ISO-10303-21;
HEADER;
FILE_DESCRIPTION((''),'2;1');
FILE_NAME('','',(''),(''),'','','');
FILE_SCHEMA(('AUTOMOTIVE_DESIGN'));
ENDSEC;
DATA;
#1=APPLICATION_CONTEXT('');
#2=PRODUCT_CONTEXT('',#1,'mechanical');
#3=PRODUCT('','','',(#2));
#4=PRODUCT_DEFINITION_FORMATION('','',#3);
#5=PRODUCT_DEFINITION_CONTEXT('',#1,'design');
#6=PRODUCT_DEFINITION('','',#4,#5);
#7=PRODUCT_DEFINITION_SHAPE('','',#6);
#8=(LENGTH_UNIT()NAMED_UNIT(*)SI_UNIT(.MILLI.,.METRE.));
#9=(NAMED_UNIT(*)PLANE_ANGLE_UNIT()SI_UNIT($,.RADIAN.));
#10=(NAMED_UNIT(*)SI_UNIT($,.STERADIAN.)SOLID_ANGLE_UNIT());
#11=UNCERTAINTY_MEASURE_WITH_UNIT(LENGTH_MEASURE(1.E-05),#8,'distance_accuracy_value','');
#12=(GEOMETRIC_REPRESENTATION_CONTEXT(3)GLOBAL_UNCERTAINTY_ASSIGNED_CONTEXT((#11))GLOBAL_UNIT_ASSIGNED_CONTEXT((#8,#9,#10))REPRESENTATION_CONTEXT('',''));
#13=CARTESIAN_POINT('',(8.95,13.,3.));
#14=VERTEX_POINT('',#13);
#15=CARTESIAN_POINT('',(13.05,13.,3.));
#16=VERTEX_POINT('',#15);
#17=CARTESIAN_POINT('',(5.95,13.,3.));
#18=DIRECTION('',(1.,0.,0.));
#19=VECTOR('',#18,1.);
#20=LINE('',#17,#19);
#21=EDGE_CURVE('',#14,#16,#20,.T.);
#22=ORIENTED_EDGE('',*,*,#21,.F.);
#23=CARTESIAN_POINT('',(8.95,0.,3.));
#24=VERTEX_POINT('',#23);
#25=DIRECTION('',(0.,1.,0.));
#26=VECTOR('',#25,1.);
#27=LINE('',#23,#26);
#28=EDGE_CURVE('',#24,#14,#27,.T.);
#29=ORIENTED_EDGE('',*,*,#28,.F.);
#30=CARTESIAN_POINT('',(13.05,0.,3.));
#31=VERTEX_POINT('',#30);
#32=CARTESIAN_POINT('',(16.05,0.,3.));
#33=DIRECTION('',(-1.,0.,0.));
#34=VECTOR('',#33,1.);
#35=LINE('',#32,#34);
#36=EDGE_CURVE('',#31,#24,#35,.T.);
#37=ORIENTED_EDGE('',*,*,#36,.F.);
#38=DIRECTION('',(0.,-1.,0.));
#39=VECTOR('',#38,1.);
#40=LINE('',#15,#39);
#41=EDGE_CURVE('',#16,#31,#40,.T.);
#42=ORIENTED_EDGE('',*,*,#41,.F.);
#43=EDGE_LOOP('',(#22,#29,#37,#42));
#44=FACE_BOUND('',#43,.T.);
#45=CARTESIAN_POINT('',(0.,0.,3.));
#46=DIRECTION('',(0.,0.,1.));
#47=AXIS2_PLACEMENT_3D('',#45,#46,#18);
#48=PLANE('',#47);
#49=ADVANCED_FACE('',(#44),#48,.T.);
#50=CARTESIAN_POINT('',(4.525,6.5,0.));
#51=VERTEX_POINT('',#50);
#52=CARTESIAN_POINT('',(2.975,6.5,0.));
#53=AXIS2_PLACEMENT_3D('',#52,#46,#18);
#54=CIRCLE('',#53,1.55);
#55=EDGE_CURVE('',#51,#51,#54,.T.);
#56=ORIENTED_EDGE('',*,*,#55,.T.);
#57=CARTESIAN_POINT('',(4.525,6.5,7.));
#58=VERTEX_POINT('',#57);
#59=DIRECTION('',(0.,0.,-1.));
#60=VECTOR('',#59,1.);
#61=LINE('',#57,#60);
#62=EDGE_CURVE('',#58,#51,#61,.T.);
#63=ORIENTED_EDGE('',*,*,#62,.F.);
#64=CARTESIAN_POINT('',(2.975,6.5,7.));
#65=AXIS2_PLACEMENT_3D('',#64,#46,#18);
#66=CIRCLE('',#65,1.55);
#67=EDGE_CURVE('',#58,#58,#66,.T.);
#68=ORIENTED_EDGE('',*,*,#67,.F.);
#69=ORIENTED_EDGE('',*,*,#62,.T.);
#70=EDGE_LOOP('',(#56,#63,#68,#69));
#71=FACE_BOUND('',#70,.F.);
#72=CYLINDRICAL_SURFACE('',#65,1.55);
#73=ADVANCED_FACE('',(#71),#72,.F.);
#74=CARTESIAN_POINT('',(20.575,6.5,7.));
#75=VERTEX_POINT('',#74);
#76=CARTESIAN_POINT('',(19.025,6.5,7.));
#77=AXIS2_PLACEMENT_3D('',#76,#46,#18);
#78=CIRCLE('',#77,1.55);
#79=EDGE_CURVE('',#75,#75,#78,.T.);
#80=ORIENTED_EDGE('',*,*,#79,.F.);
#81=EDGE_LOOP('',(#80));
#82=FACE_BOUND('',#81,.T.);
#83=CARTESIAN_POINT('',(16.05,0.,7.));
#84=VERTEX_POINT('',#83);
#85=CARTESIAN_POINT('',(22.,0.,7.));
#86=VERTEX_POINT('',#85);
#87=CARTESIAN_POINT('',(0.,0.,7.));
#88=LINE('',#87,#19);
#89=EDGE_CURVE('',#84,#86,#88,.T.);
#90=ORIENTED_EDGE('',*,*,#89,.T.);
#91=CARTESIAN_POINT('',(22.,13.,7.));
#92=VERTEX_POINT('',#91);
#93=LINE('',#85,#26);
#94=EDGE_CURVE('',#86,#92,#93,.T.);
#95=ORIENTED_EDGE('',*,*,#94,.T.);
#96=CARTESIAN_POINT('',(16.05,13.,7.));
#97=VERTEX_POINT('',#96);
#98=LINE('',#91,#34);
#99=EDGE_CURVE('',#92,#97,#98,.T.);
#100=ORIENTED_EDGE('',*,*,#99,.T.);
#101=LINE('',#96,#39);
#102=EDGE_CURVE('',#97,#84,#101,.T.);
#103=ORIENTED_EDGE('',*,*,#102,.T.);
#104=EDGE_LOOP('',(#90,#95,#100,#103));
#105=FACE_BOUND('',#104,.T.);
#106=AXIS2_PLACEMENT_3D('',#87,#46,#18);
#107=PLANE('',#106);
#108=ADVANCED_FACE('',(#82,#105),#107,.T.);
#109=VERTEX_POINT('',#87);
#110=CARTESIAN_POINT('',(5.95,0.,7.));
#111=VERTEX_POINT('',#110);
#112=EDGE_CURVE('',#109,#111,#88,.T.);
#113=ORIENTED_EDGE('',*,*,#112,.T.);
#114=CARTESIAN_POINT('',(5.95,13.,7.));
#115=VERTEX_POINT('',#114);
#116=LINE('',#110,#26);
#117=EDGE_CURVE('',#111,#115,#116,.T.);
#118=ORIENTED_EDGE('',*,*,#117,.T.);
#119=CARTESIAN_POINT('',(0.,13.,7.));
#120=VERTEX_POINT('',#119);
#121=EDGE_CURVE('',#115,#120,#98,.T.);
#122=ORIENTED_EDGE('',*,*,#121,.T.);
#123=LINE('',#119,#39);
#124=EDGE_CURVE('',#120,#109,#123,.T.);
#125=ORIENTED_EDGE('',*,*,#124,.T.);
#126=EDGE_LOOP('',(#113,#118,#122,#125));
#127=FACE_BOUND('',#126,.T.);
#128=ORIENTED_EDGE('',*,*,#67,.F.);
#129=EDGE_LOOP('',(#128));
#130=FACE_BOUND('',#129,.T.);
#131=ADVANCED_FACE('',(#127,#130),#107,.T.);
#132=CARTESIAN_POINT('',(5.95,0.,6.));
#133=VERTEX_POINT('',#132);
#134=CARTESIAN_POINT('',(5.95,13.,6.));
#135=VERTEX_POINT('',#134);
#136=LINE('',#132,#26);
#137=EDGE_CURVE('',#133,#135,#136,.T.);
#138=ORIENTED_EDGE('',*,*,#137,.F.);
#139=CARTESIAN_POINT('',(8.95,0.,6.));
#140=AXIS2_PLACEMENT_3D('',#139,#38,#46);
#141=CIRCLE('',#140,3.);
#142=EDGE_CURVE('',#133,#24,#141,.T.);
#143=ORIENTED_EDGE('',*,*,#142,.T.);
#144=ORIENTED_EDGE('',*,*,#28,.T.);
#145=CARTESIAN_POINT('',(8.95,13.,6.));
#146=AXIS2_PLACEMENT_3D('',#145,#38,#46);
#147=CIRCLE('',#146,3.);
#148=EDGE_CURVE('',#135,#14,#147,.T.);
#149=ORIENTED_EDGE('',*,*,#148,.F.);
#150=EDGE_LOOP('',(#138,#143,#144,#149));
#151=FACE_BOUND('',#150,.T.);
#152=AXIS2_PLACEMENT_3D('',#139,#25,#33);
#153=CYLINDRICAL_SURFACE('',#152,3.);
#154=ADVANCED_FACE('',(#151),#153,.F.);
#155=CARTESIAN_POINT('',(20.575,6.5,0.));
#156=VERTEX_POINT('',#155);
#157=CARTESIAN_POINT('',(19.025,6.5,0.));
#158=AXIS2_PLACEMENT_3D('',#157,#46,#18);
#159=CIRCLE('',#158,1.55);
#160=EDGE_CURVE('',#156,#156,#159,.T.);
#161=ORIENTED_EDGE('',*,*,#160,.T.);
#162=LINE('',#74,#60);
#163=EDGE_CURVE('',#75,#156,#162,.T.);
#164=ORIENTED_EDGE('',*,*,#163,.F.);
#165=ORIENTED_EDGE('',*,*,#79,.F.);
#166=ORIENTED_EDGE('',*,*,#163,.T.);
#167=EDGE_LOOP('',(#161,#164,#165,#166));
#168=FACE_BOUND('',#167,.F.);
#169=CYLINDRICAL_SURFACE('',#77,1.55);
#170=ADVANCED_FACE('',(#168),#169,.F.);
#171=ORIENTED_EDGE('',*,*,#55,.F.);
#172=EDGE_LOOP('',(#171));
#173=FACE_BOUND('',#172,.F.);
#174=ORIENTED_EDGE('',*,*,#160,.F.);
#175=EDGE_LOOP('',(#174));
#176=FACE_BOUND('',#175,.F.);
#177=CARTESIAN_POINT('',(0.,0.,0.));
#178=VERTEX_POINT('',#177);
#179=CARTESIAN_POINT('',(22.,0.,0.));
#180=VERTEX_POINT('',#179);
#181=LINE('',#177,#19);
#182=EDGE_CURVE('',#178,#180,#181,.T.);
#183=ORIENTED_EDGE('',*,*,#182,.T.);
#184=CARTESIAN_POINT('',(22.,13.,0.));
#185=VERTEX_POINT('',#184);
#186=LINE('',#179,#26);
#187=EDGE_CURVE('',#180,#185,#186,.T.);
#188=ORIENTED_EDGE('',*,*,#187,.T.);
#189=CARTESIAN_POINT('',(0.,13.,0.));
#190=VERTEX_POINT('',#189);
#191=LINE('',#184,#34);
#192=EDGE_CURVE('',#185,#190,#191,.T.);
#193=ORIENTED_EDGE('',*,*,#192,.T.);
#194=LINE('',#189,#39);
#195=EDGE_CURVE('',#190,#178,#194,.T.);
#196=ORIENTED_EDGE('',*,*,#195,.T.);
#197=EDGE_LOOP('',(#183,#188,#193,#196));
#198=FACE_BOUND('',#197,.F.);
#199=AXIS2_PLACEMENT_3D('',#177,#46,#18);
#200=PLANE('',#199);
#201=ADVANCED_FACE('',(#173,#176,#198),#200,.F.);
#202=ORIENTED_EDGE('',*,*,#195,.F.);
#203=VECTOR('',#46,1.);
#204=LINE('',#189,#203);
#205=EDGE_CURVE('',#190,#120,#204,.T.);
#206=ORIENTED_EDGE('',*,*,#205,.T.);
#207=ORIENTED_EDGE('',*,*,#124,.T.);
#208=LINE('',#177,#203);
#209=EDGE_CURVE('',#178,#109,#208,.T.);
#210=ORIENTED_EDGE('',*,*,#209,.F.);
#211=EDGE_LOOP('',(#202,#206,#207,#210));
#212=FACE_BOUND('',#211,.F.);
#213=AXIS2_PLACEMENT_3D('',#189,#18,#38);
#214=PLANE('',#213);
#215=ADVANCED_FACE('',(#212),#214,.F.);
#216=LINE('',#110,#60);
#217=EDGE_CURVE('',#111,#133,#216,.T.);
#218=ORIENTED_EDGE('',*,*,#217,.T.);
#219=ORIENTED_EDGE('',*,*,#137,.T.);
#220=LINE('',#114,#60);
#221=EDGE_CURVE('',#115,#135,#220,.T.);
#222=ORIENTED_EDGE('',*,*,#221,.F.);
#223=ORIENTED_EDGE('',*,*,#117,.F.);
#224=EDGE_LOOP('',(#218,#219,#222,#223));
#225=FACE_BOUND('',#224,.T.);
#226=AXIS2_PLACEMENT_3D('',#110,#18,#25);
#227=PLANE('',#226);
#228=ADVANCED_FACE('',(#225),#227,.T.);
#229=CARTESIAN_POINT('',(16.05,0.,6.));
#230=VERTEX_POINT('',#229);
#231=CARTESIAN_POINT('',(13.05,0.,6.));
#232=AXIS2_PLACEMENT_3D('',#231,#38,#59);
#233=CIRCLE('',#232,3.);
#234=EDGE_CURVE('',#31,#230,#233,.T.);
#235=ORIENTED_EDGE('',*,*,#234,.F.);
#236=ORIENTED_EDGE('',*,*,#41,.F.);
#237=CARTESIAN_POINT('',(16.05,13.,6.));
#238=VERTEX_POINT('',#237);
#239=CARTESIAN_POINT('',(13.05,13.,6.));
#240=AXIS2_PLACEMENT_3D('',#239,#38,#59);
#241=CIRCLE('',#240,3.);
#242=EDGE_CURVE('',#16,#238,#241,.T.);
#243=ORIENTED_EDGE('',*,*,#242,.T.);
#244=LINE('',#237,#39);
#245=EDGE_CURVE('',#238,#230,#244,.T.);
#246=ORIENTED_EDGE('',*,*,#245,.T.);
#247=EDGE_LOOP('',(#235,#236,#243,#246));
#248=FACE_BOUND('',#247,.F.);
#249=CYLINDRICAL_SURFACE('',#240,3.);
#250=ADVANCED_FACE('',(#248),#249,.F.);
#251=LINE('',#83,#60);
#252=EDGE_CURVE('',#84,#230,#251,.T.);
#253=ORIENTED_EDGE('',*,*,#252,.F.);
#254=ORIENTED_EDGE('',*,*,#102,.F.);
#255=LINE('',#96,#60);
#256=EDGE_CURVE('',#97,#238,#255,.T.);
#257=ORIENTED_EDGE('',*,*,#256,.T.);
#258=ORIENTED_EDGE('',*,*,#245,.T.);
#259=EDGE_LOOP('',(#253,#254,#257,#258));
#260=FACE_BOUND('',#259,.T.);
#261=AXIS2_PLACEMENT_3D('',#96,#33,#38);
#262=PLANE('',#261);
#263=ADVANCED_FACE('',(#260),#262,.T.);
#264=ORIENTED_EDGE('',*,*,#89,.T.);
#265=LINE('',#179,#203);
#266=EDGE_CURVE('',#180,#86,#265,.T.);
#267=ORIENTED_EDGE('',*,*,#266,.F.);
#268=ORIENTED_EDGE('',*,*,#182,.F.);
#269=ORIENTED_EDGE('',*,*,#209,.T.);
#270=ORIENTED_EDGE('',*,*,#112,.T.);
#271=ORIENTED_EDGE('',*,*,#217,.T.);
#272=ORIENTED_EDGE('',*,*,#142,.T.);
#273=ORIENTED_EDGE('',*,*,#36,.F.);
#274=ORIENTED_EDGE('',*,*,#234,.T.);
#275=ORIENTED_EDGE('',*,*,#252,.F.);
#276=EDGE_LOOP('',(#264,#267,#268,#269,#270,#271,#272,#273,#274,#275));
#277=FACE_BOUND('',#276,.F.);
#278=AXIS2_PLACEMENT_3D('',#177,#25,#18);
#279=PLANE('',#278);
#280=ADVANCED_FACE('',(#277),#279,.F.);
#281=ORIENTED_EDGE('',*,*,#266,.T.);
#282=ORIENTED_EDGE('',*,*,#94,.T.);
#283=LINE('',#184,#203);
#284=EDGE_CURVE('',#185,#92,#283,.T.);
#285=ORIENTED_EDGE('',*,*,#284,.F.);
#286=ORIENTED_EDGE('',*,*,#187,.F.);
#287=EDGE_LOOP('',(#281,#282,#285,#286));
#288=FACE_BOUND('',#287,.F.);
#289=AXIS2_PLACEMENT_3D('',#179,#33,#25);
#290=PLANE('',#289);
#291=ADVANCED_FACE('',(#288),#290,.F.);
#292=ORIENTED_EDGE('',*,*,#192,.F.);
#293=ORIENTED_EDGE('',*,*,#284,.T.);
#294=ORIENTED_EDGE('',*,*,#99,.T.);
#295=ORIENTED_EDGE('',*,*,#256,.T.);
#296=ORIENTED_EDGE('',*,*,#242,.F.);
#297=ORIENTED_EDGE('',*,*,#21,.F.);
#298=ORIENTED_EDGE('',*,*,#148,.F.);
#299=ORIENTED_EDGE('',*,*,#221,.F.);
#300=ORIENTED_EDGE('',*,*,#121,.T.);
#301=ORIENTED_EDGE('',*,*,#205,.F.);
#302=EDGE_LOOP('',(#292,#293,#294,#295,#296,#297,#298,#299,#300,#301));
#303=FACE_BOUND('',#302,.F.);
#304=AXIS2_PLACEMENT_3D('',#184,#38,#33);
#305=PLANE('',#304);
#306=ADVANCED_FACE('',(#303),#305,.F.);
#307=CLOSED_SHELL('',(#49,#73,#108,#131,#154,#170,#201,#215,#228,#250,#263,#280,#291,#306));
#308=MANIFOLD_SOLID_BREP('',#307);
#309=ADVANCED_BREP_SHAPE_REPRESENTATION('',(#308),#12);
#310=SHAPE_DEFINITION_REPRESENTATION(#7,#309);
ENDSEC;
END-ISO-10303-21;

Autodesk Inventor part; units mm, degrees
ref_plane "YZ Plane" through (0, 0, 0) normal (1, 0, 0) x (0, 1, 0)
ref_plane "XZ Plane" through (0, 0, 0) normal (0, 1, 0) x (-1, 0, 0)
ref_plane "XY Plane" through (0, 0, 0) normal (0, 0, 1) x (1, 0, 0)
sketch "Szkic1" plane through (0, 0, 0) normal (0, 0, 1) x (1, 0, 0)
  line L0 (0, 0) -> (22, 0)
  line L1 (22, 0) -> (22, 13)
  line L2 (22, 13) -> (0, 13)
  line L3 (0, 13) -> (0, 0)
  dimension "d0" = 13
  dimension "d1" = 22
extrude "Wyciągnięcie proste1" add sketch "Szkic1" along normal blind 7
sketch "Szkic2" plane through (0, 0, 7) normal (0, 0, 1) x (1, 0, 0)
  line L0 (22, 0) -> (22, 13) construction
  line L1 (0, 13) -> (0, 0) construction
  line L2 (22, 0) -> (16.05, 0) construction
  line L3 (16.05, 0) -> (16.05, 13) construction
  line L4 (16.05, 13) -> (22, 13) construction
  line L5 (22, 13) -> (22, 0) construction
  line L6 (0, 0) -> (22, 0) construction
  line L7 (0, 0) -> (5.95, 0) construction
  line L8 (5.95, 0) -> (5.95, 13) construction
  line L9 (5.95, 13) -> (0, 13) construction
  line L10 (0, 13) -> (0, 0) construction
  line L11 (16.05, 0) -> (5.95, 0)
  line L12 (5.95, 0) -> (5.95, 13)
  line L13 (5.95, 13) -> (16.05, 13)
  line L14 (16.05, 13) -> (16.05, 0)
  dimension "d4" = 5.95
  dimension "d5" = 5.95
extrude "Wyciągnięcie proste2" cut sketch "Szkic2" against normal blind 4
fillet "Zaokrąglenie1" radius 3 2 edges at (16.05, 6.5, 3) (5.95, 6.5, 3)
sketch "Szkic3" plane through (0, 0, 7) normal (0, 0, 1) x (1, 0, 0)
  line L0 (0, 0) -> (22, 0) construction
  line L1 (0, 0) -> (0, 6.5) construction
  line L2 (0, 13) -> (0, 0) construction
  line L3 (0, 6.5) -> (22, 6.5) construction
  line L4 (22, 0) -> (22, 13) construction
  line L5 (0, 6.5) -> (2.975, 6.5) construction
  line L6 (22, 6.5) -> (19.025, 6.5) construction
  circle A0 centre (2.975, 6.5) radius 1.55
  circle A1 centre (19.025, 6.5) radius 1.55
  dimension "d9" = 2.975
  dimension "d10" = 2.975
  dimension "d11" = 3.1
  dimension "d12" = 3.1
extrude "Wyciągnięcie proste3" cut sketch "Szkic3" against normal blind 7
equation "\"d12\" = d11"
properties part number "Uchwyt_na_silnik"
